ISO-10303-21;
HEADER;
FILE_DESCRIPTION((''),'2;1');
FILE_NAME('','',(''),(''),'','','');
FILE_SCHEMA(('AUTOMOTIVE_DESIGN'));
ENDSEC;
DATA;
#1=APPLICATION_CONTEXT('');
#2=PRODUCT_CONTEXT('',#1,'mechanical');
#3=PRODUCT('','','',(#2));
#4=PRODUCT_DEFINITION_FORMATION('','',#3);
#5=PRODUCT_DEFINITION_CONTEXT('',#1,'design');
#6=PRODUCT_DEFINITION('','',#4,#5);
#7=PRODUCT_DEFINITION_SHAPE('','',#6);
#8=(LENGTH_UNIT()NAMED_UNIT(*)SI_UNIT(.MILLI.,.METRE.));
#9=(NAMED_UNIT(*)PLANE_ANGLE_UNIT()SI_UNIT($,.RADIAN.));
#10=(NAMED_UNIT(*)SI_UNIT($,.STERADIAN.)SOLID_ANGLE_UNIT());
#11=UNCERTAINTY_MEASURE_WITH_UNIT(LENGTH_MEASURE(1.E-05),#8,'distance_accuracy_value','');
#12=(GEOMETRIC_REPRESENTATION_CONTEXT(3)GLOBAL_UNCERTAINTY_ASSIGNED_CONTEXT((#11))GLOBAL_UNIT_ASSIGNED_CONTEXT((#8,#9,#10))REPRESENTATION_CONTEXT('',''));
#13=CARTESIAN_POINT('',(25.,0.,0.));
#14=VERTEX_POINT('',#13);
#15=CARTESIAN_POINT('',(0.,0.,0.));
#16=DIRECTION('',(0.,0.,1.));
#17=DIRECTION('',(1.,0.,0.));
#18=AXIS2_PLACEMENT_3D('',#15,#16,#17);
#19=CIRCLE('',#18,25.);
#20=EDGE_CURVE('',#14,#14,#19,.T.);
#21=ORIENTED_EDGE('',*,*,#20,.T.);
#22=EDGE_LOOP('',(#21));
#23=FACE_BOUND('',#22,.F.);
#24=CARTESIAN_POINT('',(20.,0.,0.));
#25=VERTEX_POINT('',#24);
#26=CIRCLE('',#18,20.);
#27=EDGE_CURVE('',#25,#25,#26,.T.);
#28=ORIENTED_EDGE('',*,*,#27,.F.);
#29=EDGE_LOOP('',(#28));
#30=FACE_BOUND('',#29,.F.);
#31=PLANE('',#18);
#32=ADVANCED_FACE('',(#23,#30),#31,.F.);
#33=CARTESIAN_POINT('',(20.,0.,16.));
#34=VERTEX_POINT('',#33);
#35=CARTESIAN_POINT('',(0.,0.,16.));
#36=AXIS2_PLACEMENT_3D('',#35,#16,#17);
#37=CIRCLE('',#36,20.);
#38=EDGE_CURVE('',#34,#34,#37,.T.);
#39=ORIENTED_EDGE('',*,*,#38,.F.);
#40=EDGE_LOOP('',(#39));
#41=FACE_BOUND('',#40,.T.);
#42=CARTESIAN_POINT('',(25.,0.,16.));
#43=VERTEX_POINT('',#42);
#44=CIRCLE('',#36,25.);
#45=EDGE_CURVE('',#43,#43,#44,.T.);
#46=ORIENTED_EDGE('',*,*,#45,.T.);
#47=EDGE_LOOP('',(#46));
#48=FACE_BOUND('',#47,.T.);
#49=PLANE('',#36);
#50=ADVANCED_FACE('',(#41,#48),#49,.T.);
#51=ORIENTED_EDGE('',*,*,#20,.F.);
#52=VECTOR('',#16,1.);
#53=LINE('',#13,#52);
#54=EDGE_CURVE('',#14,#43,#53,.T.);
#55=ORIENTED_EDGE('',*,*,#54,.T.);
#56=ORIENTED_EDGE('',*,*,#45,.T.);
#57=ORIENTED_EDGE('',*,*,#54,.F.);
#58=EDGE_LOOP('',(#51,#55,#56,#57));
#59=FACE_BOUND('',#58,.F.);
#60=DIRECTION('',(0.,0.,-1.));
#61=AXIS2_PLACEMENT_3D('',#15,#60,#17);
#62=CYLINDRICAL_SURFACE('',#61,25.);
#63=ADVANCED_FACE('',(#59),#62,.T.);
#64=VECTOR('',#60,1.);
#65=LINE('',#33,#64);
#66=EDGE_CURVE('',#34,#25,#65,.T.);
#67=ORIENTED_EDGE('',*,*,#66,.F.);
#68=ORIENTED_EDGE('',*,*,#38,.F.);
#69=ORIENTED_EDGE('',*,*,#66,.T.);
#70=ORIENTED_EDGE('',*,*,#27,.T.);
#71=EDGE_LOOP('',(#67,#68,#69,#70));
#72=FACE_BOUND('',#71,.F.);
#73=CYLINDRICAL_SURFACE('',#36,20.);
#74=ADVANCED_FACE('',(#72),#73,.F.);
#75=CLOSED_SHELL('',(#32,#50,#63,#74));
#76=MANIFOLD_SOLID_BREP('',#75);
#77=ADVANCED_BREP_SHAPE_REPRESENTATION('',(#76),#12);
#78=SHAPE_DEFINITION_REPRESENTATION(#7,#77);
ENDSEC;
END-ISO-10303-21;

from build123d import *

# Parameters (mm, degrees)
SKETCH_1_R     = 25
PAD_1_DEPTH    = 16
SKETCH_2_R     = 20
POCKET_2_DEPTH = 16.001


with BuildPart() as part:
    # Sketch_1 → Pad_1 (new body)
    with BuildSketch(Plane.XY):
        Circle(SKETCH_1_R)
    extrude(amount=PAD_1_DEPTH)

    # Sketch_2 (on Face3 of Pad_1) → Pocket_2 (cut, through all)
    with BuildSketch(Plane.XY.offset(16)):
        Circle(SKETCH_2_R)
    extrude(amount=-POCKET_2_DEPTH, mode=Mode.SUBTRACT)


solid = part.part
